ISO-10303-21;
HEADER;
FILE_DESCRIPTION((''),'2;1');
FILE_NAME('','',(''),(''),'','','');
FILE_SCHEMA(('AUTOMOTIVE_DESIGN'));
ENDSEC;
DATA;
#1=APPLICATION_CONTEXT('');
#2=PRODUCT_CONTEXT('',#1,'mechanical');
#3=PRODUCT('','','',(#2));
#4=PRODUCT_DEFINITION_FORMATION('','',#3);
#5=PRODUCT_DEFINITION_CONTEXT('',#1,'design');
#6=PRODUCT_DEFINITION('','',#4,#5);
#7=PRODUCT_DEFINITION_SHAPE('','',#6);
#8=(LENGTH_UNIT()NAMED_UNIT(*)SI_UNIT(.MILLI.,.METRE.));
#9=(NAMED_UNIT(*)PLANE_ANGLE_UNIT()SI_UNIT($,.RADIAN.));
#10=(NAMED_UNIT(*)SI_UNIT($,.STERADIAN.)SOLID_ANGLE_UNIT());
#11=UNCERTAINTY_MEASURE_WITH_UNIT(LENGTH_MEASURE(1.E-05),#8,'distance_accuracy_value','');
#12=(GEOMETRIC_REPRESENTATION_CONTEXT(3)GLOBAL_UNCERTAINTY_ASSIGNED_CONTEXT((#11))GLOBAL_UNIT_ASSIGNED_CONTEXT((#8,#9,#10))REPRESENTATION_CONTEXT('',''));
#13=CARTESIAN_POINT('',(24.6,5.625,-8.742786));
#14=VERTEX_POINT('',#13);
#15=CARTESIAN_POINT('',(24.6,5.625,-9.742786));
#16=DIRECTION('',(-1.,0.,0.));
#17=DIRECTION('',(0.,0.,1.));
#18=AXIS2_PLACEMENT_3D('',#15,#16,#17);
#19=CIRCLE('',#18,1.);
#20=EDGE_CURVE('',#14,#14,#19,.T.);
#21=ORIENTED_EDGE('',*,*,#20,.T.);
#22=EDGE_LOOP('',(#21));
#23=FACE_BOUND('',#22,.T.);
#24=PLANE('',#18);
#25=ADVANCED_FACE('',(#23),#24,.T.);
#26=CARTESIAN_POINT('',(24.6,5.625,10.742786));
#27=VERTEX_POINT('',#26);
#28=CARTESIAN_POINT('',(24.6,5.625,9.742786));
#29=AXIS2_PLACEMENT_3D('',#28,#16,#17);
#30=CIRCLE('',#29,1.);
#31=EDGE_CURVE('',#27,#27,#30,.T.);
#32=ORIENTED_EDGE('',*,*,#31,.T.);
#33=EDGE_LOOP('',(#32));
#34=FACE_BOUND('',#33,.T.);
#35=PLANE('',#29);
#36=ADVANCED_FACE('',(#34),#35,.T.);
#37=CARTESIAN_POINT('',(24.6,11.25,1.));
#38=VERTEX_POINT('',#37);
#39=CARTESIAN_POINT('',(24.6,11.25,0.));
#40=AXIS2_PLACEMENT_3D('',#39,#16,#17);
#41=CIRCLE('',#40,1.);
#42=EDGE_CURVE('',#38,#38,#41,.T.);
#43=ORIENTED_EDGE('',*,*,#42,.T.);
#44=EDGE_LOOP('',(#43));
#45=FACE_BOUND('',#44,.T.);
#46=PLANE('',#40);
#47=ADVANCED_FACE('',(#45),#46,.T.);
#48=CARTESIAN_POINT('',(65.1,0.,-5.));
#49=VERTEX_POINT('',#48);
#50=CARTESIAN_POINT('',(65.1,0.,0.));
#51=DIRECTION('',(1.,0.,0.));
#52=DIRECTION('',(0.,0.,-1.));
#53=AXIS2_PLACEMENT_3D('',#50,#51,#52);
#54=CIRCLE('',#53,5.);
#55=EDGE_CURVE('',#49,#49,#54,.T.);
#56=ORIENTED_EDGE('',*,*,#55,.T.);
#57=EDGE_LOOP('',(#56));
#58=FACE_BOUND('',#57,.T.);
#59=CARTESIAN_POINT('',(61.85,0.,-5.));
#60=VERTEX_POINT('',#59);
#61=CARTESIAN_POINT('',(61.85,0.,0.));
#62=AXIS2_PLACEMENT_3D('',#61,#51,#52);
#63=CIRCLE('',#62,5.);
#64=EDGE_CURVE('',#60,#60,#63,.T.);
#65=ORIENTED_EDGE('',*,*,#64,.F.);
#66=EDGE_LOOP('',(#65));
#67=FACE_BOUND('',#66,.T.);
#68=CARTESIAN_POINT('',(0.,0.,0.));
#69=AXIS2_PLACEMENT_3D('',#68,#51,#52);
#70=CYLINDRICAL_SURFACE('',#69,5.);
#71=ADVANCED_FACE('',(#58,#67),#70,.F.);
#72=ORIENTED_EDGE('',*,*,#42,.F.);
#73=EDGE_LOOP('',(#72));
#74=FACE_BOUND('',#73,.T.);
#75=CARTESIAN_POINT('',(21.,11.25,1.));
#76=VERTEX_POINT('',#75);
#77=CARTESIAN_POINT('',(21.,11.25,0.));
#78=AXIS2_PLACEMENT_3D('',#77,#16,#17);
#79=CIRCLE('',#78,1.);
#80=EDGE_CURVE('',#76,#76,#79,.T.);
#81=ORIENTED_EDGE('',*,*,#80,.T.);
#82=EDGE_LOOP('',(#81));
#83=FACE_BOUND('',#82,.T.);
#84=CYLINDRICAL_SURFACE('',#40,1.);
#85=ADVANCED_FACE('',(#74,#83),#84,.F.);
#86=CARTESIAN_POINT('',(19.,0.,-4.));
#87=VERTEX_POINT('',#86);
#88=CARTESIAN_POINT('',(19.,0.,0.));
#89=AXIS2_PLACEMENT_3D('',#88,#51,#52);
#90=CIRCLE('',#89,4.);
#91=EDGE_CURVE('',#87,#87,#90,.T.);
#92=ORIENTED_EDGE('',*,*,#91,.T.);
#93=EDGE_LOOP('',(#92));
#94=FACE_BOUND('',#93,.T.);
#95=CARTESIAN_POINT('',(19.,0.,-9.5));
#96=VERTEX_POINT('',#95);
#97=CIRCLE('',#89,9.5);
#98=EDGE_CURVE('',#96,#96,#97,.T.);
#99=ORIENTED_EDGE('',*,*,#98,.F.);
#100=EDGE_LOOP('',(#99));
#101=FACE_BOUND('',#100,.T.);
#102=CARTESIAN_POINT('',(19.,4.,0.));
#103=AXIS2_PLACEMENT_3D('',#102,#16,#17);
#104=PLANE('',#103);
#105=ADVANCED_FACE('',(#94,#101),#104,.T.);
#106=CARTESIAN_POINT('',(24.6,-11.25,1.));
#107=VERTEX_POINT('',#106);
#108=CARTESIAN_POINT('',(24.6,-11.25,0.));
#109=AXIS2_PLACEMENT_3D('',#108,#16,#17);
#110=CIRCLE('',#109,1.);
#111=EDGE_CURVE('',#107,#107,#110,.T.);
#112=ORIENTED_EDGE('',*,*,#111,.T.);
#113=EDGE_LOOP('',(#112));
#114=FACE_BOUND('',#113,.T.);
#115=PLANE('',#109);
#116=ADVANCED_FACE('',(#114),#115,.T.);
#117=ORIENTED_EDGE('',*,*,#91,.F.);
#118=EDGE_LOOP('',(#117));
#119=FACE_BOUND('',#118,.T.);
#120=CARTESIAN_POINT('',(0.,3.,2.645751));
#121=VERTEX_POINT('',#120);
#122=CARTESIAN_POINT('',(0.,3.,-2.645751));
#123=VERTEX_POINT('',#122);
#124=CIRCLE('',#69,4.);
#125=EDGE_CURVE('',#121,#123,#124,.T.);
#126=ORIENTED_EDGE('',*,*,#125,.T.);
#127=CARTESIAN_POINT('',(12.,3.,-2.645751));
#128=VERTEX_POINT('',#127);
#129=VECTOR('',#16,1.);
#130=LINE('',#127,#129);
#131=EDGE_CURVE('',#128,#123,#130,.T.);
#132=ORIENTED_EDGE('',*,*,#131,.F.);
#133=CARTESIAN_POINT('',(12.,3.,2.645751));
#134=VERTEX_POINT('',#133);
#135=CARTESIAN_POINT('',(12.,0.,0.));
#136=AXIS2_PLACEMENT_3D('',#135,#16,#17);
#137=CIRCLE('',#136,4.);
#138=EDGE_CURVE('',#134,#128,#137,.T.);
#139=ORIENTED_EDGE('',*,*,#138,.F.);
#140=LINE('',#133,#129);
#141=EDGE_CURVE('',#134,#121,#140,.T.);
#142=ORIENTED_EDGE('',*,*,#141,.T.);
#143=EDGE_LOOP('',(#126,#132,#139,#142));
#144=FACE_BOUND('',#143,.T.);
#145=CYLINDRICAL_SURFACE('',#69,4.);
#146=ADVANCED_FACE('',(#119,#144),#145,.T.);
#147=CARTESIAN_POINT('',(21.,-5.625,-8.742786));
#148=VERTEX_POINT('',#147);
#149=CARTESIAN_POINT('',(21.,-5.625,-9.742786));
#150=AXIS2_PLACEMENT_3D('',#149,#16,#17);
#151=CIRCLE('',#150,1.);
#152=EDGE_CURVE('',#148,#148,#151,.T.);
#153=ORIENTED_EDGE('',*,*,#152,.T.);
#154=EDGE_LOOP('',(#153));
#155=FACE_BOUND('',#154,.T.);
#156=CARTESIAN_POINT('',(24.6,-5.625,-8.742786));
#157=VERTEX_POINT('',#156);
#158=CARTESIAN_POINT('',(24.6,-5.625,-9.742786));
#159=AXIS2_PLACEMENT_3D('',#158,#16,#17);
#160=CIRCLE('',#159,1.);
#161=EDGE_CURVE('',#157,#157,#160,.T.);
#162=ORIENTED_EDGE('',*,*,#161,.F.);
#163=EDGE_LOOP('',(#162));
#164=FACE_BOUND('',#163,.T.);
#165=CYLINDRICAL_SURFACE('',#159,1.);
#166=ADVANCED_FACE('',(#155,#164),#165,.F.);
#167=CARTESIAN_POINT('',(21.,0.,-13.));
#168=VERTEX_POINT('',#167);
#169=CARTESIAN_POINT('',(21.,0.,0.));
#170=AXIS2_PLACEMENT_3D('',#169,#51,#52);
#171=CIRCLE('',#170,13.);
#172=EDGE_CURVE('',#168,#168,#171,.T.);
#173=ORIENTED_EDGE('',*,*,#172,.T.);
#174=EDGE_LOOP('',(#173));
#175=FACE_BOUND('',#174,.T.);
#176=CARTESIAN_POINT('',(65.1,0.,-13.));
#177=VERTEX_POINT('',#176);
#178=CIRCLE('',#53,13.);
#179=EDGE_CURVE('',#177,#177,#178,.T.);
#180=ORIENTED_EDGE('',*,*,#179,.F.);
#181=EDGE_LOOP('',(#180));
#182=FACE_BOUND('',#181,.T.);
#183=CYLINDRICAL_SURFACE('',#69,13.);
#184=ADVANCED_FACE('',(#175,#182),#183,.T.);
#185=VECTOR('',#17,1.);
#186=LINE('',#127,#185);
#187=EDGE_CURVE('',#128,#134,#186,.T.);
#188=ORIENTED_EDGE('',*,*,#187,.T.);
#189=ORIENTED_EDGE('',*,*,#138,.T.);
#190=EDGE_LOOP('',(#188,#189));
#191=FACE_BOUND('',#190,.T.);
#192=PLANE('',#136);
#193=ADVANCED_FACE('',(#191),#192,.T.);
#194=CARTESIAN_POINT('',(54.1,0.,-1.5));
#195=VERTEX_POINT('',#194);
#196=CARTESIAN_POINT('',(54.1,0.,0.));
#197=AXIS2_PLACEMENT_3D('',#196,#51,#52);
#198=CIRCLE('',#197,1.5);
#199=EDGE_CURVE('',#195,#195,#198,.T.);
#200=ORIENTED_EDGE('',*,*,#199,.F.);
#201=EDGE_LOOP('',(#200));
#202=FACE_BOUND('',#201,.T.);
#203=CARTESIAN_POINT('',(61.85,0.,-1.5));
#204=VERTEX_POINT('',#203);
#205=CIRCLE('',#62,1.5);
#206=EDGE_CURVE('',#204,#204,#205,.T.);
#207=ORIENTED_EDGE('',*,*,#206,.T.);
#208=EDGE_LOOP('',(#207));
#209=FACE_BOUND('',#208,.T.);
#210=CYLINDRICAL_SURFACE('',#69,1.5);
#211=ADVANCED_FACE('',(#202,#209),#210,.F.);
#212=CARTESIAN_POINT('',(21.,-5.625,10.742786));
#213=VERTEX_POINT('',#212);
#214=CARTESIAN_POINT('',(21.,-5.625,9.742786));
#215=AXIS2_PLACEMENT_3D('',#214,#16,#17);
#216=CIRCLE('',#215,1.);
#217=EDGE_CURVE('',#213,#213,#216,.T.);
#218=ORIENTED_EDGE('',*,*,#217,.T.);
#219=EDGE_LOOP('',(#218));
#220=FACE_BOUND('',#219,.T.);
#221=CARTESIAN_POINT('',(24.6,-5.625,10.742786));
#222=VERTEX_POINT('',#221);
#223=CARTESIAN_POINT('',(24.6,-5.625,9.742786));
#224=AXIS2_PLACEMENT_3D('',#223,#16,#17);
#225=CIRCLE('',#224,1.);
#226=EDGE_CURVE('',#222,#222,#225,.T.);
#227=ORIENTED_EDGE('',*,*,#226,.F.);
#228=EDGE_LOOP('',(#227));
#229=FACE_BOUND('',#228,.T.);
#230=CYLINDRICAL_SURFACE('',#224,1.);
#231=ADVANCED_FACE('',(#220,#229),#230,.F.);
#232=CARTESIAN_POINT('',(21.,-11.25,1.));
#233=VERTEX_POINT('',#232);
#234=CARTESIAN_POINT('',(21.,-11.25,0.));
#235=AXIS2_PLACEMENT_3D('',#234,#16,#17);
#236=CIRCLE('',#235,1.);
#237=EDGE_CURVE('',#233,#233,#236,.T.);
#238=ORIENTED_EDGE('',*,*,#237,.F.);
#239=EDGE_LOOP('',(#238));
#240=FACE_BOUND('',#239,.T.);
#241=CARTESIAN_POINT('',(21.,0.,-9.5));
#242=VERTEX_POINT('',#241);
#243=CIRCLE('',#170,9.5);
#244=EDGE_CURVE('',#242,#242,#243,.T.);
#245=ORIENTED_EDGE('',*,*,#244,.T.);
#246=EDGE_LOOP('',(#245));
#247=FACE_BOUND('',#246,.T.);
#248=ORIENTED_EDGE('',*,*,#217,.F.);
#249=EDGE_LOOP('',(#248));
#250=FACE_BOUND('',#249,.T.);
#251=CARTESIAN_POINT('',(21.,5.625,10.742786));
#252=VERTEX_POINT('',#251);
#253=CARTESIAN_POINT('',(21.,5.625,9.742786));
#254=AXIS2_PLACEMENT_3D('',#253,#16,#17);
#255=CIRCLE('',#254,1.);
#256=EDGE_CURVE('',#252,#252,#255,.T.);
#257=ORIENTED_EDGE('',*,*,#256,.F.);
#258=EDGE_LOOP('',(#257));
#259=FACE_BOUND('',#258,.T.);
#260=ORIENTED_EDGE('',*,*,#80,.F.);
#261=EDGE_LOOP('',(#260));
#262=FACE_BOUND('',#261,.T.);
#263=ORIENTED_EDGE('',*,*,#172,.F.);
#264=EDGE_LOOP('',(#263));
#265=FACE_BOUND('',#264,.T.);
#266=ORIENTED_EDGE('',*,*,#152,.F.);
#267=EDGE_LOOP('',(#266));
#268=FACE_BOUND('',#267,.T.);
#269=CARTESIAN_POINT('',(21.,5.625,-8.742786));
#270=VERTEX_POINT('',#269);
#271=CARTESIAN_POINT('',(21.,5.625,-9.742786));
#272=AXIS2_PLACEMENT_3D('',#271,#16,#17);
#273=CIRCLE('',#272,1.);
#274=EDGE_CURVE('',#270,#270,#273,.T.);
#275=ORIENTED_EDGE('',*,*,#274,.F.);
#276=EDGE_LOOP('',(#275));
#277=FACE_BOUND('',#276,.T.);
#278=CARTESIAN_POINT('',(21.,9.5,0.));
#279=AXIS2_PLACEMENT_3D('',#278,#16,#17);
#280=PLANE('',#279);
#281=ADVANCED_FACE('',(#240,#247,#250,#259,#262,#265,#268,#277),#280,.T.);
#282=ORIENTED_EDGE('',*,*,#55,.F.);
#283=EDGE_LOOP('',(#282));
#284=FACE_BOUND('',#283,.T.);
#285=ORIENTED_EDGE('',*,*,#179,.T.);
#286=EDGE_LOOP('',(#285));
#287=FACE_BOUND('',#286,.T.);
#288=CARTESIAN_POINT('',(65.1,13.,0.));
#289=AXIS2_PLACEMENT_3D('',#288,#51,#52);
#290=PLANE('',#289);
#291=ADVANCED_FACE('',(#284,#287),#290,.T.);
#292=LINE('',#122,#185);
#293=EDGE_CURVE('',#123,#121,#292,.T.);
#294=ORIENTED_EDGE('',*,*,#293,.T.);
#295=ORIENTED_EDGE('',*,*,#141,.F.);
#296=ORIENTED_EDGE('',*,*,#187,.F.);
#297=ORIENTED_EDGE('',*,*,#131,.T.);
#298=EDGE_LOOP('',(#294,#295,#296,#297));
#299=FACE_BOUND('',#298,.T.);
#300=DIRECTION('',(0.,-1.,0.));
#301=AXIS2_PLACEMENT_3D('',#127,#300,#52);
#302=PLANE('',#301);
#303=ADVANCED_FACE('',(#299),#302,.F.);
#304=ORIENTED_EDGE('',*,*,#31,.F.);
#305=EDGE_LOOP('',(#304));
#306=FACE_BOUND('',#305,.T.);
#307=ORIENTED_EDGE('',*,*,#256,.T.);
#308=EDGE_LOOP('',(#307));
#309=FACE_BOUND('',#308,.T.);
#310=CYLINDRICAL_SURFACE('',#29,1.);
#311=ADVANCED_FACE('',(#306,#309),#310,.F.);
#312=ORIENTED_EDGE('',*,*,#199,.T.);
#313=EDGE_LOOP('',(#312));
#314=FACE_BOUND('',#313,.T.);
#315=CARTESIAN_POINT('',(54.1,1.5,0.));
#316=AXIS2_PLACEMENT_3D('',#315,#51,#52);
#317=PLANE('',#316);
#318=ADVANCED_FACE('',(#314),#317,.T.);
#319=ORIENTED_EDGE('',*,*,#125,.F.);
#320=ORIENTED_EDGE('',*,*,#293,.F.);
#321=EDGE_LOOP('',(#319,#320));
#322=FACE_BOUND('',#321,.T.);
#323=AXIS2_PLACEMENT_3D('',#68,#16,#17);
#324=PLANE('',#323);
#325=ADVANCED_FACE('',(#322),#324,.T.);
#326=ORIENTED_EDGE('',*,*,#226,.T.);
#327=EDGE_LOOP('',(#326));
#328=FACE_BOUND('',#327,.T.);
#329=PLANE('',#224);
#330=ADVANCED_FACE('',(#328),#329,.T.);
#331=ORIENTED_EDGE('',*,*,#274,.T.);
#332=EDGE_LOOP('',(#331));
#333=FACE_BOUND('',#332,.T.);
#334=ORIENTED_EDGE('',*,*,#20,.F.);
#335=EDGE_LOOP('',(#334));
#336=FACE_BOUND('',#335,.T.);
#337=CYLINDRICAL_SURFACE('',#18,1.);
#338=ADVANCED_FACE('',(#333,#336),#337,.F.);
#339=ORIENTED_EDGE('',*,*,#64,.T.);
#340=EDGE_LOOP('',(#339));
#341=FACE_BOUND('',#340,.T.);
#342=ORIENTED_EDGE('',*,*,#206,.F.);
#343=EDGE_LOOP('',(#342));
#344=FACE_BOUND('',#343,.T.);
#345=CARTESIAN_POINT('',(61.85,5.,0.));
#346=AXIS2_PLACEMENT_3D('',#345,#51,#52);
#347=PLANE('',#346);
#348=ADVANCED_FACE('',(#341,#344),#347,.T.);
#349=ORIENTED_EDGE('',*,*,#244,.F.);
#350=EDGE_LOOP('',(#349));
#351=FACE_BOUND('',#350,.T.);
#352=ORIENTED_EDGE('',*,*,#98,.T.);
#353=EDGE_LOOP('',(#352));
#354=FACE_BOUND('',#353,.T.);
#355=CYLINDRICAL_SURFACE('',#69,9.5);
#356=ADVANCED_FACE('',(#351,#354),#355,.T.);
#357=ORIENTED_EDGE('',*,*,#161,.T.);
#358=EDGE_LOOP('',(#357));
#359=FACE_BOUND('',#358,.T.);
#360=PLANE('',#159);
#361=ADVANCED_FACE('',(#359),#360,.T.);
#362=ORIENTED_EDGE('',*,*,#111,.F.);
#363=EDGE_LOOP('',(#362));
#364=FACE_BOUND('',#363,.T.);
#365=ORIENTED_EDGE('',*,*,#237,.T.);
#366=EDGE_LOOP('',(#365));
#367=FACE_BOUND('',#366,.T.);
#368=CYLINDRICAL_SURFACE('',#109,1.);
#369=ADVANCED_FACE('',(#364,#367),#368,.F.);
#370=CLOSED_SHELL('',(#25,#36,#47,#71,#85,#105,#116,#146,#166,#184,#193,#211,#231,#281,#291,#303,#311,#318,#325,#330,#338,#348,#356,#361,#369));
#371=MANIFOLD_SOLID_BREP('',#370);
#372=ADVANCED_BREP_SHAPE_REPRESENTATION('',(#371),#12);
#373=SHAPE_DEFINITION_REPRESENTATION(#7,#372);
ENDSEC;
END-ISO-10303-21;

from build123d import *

# Parameters (mm, degrees)
SZKIC2_R                   = 1
WYTNIJ_WYCI_GNI_CIE1_DEPTH = 3.6
WYTNIJ_WYCI_GNI_CIE2_START = -12
WYTNIJ_WYCI_GNI_CIE2_DEPTH = 12


with BuildPart() as part:
    # Szkic1 → Obrót1 (revolve)
    with BuildSketch(Plane.XY, mode=Mode.PRIVATE) as obr_t1_sk:
        Polygon((0, 0), (0, 4), (19, 4), (19, 9.5), (21, 9.5), (21, 13), (65.1, 13), (65.1, 5), (61.85, 5), (61.85, 1.5), (54.1, 1.5), (54.1, 0), align=None)
    revolve(obr_t1_sk.sketch.rotate(Axis((0, 0, 0), (-1, 0, 0)), 90), axis=Axis((0, 0, 0), (-1, 0, 0)))

    # Szkic2 → Wytnij-wyciągnięcie1 (cut)
    with BuildSketch(Plane.ZY.offset(-21)):
        with Locations((0, 11.25)):
            Circle(SZKIC2_R)
        with Locations((9.742785793, 5.625)):
            Circle(SZKIC2_R)
        with Locations((9.742785793, -5.625)):
            Circle(SZKIC2_R)
        with Locations((0, -11.25)):
            Circle(SZKIC2_R)
        with Locations((-9.742785793, -5.625)):
            Circle(SZKIC2_R)
        with Locations((-9.742785793, 5.625)):
            Circle(SZKIC2_R)
    extrude(amount=-WYTNIJ_WYCI_GNI_CIE1_DEPTH, mode=Mode.SUBTRACT)

    # Szkic3 → Wytnij-wyciągnięcie2 (cut)
    with BuildSketch(Plane.ZY.offset(WYTNIJ_WYCI_GNI_CIE2_START)):
        with BuildLine():
            Line((-2.645751311, 3), (2.645751311, 3))
            ThreePointArc((2.645751311, 3), (0, 4), (-2.645751311, 3))
        make_face()
    extrude(amount=WYTNIJ_WYCI_GNI_CIE2_DEPTH, mode=Mode.SUBTRACT)


solid = part.part
